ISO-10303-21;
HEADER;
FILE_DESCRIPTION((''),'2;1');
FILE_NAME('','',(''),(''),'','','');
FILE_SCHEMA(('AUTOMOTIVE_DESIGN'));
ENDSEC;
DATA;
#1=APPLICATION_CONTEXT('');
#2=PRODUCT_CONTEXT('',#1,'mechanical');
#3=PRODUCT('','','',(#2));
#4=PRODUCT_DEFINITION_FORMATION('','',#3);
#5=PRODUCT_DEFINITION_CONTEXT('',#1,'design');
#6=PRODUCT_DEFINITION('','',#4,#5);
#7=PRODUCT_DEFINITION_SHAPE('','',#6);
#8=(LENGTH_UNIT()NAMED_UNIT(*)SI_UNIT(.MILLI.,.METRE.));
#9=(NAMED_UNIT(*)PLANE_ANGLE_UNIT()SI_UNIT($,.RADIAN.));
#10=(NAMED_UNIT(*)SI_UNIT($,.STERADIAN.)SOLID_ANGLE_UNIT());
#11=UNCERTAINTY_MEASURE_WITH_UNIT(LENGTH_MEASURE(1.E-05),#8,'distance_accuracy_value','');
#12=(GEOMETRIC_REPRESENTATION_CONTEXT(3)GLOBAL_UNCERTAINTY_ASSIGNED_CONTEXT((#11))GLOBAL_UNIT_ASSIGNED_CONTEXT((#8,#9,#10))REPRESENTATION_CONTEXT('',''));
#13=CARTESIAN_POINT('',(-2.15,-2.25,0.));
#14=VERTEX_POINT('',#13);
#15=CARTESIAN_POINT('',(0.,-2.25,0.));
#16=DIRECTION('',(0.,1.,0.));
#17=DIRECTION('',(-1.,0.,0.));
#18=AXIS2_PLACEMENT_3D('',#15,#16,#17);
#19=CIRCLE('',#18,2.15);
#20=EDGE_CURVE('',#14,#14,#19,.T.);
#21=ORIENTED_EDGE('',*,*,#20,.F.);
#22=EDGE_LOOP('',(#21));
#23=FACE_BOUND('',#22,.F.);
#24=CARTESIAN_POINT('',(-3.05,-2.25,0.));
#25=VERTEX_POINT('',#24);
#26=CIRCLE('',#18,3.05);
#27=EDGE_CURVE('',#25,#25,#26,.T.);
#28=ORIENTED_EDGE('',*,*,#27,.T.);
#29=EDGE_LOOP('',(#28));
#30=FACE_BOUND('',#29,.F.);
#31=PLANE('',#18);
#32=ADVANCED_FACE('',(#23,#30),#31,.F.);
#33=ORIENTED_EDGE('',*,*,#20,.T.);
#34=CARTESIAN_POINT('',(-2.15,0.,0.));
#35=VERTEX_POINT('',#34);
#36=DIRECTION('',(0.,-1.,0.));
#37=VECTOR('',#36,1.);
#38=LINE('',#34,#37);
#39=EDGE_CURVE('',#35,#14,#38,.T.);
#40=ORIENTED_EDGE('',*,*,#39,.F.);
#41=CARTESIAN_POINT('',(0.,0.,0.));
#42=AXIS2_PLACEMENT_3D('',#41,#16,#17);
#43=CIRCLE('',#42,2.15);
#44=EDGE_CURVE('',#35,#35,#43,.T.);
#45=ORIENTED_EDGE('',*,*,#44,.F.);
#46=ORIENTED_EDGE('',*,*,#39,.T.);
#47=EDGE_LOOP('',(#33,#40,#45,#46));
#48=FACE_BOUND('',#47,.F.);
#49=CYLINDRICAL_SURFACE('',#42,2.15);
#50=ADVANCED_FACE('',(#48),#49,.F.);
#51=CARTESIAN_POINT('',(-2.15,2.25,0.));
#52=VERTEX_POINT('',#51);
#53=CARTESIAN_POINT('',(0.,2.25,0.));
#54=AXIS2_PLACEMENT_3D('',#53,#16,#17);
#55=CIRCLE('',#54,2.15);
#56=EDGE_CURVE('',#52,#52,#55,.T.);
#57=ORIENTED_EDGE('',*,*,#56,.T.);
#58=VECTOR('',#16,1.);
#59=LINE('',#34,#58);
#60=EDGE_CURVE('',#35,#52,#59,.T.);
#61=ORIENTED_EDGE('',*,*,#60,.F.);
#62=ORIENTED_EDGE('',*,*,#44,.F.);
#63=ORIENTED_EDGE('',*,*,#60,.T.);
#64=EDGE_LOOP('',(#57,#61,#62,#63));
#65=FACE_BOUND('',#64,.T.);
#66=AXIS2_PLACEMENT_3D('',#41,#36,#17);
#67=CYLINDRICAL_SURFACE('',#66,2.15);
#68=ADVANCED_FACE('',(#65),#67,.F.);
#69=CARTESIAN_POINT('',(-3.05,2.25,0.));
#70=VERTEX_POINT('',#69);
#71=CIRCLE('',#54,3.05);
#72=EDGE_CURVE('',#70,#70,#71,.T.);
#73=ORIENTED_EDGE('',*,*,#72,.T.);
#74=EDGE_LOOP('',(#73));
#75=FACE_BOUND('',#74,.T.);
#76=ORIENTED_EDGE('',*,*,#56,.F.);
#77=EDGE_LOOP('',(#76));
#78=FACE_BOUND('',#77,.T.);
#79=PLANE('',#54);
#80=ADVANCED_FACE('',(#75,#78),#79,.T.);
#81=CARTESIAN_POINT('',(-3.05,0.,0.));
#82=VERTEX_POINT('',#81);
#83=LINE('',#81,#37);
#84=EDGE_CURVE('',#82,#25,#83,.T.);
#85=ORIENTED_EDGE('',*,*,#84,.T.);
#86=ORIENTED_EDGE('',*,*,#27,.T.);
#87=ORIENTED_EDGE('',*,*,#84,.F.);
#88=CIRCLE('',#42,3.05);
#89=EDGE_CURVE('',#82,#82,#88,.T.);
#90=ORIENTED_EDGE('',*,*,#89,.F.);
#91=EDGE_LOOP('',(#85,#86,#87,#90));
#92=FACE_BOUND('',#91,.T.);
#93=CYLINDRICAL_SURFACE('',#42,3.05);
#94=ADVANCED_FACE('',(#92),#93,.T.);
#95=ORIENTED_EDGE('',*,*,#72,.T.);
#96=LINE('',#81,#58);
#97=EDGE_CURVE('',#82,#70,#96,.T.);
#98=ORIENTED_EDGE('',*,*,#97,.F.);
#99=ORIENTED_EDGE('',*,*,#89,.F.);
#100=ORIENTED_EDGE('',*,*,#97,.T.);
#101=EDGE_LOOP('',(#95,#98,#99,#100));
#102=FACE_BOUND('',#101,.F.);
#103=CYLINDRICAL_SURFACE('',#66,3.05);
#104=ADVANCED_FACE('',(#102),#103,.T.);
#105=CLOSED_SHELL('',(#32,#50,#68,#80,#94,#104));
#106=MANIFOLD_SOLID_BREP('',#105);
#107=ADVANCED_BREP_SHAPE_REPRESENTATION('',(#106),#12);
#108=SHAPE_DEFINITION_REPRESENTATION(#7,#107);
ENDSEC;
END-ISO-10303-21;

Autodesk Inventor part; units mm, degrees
sketch "Эскиз1" plane through (0, 0, 0) normal (0, 1, 0) x (-1, 0, 0)
  circle A0 centre (0, 0) radius 2.15
  circle A1 centre (0, 0) radius 3.05
  dimension "d0" = 4.3
  dimension "d1" = 6.1
extrude "Выдавливание1" add sketch "Эскиз1" along normal mid plane 4.5
properties part number "Проставки"
